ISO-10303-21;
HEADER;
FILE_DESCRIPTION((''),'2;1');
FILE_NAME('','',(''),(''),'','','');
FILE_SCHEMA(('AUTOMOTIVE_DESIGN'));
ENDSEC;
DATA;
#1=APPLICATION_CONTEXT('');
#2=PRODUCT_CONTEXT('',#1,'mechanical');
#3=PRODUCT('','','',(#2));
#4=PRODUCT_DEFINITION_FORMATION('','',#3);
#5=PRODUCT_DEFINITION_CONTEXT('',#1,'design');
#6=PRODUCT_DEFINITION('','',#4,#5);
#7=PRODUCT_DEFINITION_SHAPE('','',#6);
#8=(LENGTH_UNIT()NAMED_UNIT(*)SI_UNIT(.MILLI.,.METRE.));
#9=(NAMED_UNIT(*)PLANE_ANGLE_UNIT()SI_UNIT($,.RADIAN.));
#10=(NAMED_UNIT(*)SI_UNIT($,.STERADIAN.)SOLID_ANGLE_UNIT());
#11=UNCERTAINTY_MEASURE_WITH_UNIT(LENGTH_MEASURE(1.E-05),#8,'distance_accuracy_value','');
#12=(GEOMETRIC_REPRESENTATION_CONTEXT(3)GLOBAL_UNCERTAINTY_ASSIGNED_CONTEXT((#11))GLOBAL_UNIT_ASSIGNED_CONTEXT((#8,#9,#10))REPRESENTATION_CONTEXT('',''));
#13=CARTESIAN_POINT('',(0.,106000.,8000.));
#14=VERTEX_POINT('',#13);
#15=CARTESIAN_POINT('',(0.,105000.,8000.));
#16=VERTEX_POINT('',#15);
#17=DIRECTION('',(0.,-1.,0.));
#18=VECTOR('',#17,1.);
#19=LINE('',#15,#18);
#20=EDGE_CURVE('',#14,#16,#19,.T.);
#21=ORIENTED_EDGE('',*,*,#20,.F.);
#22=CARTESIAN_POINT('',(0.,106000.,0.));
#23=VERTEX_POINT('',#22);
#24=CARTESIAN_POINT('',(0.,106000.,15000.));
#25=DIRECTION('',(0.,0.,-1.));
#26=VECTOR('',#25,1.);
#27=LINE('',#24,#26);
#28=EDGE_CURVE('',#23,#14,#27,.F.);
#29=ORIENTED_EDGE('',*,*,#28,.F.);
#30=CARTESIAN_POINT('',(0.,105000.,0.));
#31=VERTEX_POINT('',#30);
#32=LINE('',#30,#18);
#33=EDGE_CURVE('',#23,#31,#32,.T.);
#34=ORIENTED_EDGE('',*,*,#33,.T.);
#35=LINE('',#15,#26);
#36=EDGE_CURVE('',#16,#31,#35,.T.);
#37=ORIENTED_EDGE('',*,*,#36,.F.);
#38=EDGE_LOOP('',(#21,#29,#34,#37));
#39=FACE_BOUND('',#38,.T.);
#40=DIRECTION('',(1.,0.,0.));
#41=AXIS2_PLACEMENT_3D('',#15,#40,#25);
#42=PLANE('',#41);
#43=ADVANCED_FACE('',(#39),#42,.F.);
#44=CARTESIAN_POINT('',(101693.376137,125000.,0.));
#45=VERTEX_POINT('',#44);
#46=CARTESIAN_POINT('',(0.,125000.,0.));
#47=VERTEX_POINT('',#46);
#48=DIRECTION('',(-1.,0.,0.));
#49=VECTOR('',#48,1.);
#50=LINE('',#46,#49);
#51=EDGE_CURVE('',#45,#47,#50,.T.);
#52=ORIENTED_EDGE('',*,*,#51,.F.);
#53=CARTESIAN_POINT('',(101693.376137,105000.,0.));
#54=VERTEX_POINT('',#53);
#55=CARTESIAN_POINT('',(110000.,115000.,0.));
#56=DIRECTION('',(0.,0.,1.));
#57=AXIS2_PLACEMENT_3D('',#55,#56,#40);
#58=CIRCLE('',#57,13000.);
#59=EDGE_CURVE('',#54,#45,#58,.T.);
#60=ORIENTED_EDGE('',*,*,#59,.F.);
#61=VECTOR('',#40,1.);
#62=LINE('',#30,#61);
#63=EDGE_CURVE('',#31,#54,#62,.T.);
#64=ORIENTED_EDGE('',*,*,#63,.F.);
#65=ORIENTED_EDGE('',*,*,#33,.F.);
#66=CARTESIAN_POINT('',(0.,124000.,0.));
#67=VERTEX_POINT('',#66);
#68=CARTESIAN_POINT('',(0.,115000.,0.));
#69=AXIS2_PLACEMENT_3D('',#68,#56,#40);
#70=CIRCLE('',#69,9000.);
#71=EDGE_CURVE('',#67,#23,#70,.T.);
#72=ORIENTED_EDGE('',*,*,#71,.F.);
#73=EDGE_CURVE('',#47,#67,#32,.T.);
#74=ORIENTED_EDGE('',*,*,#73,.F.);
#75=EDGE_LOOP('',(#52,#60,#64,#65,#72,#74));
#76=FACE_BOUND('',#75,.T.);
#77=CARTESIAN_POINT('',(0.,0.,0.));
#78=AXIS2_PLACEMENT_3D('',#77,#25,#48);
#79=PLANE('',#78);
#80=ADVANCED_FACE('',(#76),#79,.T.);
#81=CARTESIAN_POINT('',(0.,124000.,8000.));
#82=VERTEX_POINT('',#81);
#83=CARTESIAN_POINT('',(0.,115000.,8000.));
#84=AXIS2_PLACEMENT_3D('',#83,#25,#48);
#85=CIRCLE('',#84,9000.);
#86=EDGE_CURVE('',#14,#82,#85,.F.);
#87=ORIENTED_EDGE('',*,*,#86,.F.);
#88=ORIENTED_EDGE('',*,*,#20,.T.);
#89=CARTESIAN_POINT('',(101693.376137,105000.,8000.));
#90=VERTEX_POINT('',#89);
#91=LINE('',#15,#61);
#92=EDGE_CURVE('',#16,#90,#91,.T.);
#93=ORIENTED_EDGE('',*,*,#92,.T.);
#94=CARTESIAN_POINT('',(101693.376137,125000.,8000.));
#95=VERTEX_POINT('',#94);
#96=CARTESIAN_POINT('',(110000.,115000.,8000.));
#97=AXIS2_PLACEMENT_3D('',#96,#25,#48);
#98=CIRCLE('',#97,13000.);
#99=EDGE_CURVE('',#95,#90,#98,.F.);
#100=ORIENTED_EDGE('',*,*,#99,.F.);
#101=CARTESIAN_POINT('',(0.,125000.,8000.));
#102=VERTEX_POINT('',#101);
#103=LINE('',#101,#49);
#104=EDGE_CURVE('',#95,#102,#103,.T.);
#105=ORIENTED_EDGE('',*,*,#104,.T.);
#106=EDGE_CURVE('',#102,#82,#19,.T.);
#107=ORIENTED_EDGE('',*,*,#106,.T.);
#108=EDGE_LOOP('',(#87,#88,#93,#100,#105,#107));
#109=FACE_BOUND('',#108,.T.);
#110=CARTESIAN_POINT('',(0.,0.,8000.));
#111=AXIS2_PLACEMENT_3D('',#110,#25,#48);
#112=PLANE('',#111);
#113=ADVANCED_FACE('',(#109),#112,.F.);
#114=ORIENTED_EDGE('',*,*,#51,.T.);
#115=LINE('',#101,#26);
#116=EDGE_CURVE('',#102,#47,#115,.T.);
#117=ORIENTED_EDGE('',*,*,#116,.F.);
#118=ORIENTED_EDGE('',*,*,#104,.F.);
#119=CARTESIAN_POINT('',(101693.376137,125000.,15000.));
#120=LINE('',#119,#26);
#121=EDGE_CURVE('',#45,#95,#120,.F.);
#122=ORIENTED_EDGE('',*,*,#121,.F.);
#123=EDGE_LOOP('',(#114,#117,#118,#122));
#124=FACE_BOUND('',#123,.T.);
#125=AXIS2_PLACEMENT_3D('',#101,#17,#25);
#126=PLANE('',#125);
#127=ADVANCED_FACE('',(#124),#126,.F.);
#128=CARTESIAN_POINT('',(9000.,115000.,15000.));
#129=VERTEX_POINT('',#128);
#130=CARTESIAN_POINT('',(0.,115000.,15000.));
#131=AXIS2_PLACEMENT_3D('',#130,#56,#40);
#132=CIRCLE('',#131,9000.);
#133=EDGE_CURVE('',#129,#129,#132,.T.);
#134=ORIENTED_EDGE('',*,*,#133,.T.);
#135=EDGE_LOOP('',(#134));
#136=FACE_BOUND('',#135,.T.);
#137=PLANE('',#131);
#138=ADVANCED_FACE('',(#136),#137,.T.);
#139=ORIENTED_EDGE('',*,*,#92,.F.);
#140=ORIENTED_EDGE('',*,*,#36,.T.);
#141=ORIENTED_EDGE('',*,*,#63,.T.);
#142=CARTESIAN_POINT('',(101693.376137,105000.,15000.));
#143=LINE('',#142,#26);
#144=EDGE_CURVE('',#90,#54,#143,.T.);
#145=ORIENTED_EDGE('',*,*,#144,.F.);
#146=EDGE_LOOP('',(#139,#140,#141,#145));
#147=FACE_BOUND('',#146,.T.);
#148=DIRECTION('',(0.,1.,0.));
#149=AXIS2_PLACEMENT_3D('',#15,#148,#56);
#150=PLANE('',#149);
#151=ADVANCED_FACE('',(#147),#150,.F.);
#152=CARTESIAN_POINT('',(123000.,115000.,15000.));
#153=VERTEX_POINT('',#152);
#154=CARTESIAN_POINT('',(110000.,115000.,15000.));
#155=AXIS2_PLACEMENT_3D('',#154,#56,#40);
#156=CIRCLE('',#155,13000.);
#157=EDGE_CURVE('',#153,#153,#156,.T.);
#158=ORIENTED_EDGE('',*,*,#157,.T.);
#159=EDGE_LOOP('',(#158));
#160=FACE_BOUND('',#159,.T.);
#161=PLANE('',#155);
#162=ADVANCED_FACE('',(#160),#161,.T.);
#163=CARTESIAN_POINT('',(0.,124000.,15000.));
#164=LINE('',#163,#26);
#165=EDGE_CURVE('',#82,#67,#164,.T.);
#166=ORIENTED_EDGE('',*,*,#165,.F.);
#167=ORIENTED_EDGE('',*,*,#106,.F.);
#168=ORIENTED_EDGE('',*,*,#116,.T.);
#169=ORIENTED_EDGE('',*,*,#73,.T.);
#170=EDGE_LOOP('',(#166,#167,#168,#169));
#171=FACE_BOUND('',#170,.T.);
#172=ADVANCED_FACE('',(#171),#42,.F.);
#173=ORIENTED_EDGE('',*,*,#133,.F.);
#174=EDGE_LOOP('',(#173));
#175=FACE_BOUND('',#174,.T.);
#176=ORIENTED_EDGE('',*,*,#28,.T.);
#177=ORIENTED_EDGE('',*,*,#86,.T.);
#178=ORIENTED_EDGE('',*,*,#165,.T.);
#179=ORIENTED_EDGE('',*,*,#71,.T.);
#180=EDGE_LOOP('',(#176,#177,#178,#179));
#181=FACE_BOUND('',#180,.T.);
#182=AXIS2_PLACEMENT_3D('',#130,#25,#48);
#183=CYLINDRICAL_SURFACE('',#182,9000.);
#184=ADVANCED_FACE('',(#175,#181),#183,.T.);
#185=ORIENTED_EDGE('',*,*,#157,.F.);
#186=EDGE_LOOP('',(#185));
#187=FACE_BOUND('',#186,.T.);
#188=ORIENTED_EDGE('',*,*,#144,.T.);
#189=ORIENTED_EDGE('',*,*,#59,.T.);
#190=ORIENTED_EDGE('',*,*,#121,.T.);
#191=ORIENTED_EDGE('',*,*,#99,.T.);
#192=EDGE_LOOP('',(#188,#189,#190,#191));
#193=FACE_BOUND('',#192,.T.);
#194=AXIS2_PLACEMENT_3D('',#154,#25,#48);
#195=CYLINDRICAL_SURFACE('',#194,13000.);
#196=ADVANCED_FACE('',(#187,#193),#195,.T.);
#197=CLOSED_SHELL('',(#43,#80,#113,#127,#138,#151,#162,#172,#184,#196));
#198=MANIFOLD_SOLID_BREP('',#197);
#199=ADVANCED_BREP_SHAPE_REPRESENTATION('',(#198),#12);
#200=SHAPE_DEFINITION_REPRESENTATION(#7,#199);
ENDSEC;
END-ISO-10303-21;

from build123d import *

# Parameters (mm, degrees)
SKETCH_1_W      = 110000
SKETCH_1_H      = 20000
EXTRUDE_1_DEPTH = 8000
SKETCH_2_R      = 9000
EXTRUDE_2_DEPTH = 15000
SKETCH_3_R      = 13000
EXTRUDE_3_DEPTH = 15000


with BuildPart() as part:
    # 草图1 → 凸台-拉伸1 (new body)
    with BuildSketch(Plane.XY):
        with Locations((55000, 115000)):
            Rectangle(SKETCH_1_W, SKETCH_1_H)
    extrude(amount=EXTRUDE_1_DEPTH)

    # 草图2 → 凸台-拉伸2 (add)
    with BuildSketch(Plane.XY):
        with Locations(Location((0, 115000, 0), (0, 0, 270))):
            Circle(SKETCH_2_R)
    extrude(amount=EXTRUDE_2_DEPTH)

    # 草图3 → 凸台-拉伸3 (add)
    with BuildSketch(Plane.XY):
        with Locations(Location((110000, 115000, 0), (0, 0, 230.284862768))):
            Circle(SKETCH_3_R)
    extrude(amount=EXTRUDE_3_DEPTH)


solid = part.part
